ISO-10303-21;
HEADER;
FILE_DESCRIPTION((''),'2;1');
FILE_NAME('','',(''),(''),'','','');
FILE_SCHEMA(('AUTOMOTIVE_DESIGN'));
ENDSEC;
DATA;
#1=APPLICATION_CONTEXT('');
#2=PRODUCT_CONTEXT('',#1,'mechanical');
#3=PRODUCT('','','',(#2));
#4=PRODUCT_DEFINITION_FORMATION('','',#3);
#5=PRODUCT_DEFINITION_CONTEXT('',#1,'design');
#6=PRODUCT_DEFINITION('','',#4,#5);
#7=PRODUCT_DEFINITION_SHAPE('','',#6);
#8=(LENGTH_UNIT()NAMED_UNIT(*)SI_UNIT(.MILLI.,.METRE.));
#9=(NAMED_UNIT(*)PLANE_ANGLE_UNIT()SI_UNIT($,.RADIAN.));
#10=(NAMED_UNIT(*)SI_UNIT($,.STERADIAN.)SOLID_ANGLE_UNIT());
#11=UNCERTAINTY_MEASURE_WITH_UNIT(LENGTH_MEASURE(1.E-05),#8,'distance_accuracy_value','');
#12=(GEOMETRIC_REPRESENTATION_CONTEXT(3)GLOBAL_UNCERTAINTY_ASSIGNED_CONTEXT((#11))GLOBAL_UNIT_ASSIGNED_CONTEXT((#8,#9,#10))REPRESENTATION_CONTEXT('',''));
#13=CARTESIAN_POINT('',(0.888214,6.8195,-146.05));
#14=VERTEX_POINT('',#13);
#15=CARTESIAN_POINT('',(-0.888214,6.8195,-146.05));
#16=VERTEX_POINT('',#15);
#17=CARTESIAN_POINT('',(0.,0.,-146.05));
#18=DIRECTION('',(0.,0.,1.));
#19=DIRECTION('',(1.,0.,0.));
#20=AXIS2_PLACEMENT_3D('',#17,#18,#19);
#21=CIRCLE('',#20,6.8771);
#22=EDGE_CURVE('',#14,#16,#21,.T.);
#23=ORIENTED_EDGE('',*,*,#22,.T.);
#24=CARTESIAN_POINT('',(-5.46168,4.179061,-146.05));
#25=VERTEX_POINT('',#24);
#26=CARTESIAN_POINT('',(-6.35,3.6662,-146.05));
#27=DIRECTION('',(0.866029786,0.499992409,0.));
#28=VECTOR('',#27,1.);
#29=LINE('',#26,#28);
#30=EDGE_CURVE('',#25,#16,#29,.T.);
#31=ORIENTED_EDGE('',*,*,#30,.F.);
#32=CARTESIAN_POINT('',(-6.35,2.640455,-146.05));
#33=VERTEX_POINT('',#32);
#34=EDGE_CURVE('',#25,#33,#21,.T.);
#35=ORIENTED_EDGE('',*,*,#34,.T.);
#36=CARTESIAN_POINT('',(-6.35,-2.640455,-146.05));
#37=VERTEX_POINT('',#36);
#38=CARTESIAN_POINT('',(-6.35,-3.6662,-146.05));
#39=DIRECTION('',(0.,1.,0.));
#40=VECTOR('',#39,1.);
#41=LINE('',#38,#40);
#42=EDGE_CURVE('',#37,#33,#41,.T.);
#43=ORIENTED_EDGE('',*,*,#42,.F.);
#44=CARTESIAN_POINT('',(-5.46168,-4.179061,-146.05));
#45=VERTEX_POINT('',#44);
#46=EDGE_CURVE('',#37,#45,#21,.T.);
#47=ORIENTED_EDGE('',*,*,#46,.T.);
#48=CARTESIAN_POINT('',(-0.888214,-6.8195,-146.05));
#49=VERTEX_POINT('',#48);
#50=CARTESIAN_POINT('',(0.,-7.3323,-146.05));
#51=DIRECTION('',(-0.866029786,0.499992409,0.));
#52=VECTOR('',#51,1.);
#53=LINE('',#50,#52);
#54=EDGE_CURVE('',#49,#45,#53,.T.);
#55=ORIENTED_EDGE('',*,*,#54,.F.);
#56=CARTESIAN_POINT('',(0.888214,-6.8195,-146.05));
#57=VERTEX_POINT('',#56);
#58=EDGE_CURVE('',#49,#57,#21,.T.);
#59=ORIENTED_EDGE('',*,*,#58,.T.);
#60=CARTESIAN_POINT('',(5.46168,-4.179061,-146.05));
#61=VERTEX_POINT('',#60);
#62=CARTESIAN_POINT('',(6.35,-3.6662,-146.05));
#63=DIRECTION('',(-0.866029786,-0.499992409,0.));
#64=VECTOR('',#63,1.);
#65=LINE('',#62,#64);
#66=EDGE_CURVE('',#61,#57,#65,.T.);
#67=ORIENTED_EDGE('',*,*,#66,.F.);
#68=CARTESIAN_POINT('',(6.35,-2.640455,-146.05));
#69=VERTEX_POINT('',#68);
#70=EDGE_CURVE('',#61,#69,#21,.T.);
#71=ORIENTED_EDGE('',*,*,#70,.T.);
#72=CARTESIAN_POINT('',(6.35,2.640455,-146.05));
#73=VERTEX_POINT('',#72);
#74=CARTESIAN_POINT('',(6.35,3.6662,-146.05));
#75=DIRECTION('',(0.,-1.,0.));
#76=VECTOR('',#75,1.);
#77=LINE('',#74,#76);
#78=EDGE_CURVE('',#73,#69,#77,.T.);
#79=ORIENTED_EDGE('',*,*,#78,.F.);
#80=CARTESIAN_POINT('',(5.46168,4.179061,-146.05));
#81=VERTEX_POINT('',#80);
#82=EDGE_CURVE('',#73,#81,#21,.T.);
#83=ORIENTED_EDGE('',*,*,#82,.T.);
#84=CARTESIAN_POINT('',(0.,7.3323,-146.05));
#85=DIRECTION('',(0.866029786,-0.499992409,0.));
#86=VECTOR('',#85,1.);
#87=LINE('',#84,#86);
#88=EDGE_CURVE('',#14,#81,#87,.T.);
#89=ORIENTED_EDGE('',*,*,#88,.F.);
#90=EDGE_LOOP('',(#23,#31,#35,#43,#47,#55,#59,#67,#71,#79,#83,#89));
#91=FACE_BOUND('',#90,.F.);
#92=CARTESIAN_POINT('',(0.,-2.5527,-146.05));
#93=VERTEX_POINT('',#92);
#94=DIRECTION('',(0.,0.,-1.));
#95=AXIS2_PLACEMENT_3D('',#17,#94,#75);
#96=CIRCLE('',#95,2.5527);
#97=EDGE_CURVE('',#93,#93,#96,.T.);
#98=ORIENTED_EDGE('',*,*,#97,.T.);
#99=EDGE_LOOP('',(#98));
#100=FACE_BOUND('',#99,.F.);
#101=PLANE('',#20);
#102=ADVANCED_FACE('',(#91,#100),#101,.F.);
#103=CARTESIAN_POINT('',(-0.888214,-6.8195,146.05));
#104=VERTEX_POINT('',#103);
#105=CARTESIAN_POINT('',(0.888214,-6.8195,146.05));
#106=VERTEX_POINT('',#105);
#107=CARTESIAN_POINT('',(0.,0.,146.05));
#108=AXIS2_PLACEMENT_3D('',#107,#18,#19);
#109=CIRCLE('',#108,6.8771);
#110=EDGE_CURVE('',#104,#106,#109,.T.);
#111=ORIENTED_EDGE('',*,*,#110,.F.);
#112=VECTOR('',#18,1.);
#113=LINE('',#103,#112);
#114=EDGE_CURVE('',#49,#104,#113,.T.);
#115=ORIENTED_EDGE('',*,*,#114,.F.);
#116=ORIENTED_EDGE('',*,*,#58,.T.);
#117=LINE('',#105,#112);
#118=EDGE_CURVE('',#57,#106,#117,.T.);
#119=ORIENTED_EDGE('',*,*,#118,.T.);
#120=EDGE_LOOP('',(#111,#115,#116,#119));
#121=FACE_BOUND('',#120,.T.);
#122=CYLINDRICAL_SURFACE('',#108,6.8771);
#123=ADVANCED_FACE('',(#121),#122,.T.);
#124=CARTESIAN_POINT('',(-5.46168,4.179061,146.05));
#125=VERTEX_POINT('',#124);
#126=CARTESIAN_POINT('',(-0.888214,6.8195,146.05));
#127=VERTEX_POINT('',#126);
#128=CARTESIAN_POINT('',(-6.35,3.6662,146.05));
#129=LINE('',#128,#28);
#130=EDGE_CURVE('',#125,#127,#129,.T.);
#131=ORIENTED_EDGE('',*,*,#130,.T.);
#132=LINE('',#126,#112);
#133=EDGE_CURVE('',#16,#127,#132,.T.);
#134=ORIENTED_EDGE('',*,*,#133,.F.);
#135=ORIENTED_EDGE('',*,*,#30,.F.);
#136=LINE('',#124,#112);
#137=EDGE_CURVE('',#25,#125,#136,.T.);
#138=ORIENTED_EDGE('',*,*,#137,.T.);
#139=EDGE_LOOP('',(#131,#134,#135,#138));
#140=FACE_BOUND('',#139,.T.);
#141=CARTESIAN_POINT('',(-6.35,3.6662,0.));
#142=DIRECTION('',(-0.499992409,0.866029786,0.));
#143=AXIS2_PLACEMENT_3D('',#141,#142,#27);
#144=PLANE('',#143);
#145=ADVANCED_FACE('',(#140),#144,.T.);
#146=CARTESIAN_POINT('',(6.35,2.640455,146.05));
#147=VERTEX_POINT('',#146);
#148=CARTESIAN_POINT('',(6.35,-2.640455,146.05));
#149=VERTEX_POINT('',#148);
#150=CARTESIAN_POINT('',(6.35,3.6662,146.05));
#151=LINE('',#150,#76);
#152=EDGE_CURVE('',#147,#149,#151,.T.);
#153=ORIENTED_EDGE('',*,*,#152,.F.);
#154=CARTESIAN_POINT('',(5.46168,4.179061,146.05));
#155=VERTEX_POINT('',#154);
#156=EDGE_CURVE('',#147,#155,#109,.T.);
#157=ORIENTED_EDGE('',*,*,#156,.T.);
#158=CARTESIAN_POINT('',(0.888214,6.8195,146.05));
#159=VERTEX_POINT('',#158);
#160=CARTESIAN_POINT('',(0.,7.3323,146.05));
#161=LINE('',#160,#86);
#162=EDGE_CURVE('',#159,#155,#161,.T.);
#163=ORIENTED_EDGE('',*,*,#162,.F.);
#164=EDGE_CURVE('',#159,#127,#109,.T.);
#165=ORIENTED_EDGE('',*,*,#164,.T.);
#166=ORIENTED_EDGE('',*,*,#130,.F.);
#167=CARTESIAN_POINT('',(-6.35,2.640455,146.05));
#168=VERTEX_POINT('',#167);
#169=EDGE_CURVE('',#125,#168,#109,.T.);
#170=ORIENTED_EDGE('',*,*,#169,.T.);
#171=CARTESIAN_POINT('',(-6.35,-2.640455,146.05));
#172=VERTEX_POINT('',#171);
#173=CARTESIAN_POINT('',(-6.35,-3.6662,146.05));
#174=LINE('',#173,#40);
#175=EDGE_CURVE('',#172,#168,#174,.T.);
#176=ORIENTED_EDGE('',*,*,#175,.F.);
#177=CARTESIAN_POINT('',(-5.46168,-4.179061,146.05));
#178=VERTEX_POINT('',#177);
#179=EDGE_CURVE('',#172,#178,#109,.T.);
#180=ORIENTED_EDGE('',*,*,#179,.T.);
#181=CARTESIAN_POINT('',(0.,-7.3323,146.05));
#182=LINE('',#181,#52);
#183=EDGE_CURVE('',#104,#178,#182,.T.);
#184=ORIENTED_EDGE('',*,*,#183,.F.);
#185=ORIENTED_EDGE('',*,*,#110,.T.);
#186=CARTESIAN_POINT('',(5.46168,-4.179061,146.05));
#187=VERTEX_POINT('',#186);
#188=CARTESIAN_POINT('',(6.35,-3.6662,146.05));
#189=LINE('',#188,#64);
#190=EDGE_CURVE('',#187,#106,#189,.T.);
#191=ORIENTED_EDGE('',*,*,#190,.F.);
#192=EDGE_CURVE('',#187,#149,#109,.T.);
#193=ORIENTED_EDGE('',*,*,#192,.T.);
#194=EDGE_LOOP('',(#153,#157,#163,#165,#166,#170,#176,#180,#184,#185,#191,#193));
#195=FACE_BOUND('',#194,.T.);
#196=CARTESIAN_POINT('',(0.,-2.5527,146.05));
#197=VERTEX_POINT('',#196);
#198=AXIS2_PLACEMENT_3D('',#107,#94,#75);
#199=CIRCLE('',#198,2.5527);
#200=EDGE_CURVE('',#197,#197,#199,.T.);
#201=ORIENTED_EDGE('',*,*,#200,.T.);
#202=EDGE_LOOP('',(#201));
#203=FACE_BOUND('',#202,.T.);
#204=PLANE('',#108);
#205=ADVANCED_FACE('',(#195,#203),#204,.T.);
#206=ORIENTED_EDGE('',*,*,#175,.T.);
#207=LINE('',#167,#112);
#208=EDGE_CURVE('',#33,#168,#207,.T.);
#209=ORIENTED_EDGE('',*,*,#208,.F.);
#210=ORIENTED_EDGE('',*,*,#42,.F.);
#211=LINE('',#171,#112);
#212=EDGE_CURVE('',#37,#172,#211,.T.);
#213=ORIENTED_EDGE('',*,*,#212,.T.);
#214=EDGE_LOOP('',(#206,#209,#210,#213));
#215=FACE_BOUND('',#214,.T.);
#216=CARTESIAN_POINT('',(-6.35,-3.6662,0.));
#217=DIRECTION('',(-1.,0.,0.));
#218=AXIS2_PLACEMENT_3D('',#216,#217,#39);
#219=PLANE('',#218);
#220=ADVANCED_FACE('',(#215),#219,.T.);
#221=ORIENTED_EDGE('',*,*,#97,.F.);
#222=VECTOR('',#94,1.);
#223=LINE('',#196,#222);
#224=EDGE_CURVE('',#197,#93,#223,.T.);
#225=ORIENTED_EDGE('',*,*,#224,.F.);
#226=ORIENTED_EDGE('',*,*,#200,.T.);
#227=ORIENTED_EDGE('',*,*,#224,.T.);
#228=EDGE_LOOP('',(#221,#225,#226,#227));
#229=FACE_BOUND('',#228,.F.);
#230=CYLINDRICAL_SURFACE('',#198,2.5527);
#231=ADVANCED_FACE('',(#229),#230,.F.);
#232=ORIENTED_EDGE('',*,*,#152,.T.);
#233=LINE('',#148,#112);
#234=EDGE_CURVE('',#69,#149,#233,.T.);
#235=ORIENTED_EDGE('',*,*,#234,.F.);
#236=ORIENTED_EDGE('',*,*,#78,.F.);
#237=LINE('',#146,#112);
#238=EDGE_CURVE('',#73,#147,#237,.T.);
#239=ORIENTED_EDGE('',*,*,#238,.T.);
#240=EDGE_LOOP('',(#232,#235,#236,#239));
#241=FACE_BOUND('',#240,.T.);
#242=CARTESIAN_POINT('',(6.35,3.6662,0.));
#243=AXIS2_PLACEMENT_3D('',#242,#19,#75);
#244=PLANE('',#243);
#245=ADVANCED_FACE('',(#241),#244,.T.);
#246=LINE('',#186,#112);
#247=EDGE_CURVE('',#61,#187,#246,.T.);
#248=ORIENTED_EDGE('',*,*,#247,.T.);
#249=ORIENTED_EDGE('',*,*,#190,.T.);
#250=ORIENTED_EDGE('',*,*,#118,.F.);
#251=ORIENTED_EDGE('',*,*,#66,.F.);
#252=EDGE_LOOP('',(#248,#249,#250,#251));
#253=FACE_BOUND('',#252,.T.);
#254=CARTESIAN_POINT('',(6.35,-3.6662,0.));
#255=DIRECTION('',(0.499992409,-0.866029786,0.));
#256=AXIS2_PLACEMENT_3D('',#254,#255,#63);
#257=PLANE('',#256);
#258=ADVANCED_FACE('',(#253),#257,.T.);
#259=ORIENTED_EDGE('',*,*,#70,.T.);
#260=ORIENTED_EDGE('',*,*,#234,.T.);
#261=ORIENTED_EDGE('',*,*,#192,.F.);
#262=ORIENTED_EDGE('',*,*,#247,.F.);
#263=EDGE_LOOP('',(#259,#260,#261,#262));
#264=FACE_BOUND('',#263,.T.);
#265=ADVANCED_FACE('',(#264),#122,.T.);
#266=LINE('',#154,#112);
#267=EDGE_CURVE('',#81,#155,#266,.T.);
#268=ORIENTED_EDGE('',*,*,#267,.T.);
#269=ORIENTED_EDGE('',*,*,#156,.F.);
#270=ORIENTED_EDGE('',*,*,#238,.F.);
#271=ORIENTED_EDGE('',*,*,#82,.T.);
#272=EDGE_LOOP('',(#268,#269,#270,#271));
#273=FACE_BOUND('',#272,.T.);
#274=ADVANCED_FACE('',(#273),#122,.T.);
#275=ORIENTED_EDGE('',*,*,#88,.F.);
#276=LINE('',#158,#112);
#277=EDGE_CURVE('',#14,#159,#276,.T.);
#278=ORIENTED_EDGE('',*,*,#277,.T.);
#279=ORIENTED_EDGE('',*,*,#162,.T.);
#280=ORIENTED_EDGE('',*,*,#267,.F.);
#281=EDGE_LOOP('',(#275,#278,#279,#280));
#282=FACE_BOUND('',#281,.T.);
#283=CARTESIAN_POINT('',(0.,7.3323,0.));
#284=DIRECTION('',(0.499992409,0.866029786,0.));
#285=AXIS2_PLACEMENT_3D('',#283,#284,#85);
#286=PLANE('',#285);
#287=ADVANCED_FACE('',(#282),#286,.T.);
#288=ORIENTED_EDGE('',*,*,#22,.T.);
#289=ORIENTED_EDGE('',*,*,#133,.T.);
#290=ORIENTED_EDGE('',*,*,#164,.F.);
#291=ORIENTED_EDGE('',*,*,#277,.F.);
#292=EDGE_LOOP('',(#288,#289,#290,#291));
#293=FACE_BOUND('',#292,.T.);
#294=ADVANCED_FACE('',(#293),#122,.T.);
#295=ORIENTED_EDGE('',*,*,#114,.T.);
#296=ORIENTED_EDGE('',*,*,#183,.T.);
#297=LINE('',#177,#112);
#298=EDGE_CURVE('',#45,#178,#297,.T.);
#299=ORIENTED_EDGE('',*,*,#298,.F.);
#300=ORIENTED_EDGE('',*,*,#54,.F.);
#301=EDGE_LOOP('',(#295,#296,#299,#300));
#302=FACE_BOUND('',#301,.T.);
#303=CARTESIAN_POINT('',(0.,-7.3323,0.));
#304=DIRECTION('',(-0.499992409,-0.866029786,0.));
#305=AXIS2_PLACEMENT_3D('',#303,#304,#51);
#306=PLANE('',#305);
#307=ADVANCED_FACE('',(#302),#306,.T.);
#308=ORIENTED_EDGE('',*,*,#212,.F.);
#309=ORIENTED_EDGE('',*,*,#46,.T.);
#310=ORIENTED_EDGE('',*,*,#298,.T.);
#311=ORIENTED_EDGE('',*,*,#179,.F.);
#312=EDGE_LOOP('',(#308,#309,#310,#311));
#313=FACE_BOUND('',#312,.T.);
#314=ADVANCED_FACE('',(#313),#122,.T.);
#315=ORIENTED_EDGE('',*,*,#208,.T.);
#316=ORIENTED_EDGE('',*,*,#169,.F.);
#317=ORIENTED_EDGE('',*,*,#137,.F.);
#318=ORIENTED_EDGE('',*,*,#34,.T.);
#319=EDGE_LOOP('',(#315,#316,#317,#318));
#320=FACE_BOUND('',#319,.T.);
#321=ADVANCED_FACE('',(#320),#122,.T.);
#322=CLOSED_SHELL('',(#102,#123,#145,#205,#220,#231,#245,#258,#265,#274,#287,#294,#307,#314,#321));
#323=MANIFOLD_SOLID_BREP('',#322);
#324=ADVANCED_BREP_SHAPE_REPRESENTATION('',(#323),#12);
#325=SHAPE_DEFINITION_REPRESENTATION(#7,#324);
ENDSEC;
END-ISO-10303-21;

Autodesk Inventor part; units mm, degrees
ref_plane "YZ Plane" through (0, 0, 0) normal (1, 0, 0) x (0, 1, 0)
ref_plane "XZ Plane" through (0, 0, 0) normal (0, 1, 0) x (-1, 0, 0)
ref_plane "XY Plane" through (0, 0, 0) normal (0, 0, 1) x (1, 0, 0)
sketch "Sketch1" plane through (0, 0, 0) normal (0, 0, 1) x (1, 0, 0)
  line L0 (-6.35, -3.6662) -> (-6.35, 3.6662)
  line L1 (-6.35, 3.6662) -> (0, 7.3323)
  line L2 (0, 7.3323) -> (6.35, 3.6662)
  line L3 (6.35, 3.6662) -> (6.35, -3.6662)
  line L4 (6.35, -3.6662) -> (0, -7.3323)
  line L5 (0, -7.3323) -> (-6.35, -3.6662)
  point P0 (0, 0)
  point P1 (0, 0)
  dimension "Size" = 12.7
extrude "Extrusion1" add sketch "Sketch1" along normal mid plane 292.1
sketch "Sketch3" plane through (0, 0, 146.05) normal (0, 0, 1) x (1, 0, 0)
  line L0 (-6.35, 3.6662) -> (0, 7.3323) construction
  line L1 (0, 7.3323) -> (6.35, 3.6662) construction
  line L2 (6.35, 3.6662) -> (6.35, -3.6662) construction
  line L3 (6.35, -3.6662) -> (0, -7.3323) construction
  line L4 (0, -7.3323) -> (-6.35, -3.6662) construction
  line L5 (-6.35, -3.6662) -> (-6.35, 3.6662) construction
  point P0 (0, 0)
hole "Hole1" at (0, 0, 146.05) direction (0, 0, -1) diameter 5.1054 end through all
sketch "Sketch4" plane through (0, 0, 146.05) normal (0, 0, 1) x (1, 0, 0)
  circle A0 centre (0, 0) radius 2.5527 construction
  line L0 (-6.35, 3.6662) -> (0, 7.3323) construction
  line L1 (0, 7.3323) -> (6.35, 3.6662) construction
  line L2 (6.35, 3.6662) -> (6.35, -3.6662) construction
  line L3 (6.35, -3.6662) -> (0, -7.3323) construction
  line L4 (0, -7.3323) -> (-6.35, -3.6662) construction
  line L5 (-6.35, -3.6662) -> (-6.35, 3.6662) construction
  circle A1 centre (0, 0) radius 6.8771
  circle A2 centre (0, 0) radius 8.89
  dimension "thunder" = 13.7541
  dimension "d16" = 17.78
extrude "Extrusion3" cut sketch "Sketch4" against normal through all
equation "\"bearing\" = 25.4"
properties part number "CL7-GB-007" material "Aluminum 6061"
